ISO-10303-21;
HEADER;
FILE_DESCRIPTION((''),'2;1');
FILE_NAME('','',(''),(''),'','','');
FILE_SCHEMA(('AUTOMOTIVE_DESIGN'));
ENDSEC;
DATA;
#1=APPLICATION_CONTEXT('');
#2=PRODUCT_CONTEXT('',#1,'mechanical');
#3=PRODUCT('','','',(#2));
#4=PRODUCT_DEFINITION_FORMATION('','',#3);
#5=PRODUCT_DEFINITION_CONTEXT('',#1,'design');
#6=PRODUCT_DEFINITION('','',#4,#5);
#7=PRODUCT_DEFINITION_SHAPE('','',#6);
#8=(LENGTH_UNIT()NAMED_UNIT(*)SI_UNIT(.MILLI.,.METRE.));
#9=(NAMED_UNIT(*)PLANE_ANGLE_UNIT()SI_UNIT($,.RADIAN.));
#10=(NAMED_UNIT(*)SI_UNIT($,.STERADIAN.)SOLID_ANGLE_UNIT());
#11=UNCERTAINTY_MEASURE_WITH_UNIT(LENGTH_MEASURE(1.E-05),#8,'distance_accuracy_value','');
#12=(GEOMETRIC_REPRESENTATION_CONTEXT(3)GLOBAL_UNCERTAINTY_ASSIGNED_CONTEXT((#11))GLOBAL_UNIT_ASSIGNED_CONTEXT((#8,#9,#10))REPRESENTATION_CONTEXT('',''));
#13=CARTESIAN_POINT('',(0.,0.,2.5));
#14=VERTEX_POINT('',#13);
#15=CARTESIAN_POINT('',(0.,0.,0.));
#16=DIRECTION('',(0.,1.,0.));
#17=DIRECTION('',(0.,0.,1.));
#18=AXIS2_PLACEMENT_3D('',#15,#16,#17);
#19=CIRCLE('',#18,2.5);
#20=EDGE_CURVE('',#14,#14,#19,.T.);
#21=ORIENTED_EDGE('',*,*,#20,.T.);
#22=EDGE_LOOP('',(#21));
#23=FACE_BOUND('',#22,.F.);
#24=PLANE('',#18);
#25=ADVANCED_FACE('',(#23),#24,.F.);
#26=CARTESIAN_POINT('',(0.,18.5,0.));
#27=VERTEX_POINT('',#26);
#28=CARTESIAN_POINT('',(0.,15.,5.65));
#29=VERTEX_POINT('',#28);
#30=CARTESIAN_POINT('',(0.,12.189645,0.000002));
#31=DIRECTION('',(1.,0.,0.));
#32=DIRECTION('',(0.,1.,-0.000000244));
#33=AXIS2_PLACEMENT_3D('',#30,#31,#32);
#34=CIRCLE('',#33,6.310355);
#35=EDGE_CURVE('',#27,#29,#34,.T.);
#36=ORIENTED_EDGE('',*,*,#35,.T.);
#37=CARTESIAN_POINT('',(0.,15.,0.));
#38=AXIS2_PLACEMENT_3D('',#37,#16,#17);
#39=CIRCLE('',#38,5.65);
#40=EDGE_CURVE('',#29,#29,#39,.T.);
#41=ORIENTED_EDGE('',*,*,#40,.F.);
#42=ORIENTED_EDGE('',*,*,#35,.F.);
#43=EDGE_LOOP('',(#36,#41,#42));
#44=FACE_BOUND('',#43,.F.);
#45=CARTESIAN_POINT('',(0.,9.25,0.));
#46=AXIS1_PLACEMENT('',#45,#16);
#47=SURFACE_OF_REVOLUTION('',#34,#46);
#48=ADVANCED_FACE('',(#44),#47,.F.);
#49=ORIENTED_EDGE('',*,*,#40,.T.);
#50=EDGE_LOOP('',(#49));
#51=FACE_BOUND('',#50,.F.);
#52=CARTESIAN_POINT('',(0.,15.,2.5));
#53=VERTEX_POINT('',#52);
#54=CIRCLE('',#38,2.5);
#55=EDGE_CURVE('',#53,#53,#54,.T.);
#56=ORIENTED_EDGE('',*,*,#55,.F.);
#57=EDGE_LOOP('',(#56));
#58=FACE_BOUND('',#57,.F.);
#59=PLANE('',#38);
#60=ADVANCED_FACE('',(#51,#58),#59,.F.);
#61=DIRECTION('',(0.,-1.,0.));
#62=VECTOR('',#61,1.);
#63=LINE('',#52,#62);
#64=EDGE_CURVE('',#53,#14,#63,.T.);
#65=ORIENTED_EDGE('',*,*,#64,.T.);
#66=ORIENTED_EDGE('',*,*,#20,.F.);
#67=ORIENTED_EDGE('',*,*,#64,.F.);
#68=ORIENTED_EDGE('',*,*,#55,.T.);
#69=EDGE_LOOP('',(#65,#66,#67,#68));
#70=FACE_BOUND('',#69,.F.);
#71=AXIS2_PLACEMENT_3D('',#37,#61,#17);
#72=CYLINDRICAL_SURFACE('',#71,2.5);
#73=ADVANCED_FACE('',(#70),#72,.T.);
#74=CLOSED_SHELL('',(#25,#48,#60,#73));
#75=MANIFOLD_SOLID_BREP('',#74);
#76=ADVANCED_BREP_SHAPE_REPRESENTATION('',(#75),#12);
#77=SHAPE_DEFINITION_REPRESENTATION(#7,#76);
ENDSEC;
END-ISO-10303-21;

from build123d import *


with BuildPart() as f1:
    # F0 (on Right) → F1 (revolve)
    with BuildSketch(Plane.YZ):
        with BuildLine():
            Line((0, 2.5), (0, 0))
            Line((0, 0), (18.5, 0))
            ThreePointArc((18.5, 0), (17.554108, 3.32312), (15, 5.65))
            Line((15, 5.65), (15, 2.5))
            Line((15, 2.5), (0, 2.5))
        make_face()
    revolve(axis=Axis((0, 9.25, 0), (0, 1, 0)))


solid = f1.part
